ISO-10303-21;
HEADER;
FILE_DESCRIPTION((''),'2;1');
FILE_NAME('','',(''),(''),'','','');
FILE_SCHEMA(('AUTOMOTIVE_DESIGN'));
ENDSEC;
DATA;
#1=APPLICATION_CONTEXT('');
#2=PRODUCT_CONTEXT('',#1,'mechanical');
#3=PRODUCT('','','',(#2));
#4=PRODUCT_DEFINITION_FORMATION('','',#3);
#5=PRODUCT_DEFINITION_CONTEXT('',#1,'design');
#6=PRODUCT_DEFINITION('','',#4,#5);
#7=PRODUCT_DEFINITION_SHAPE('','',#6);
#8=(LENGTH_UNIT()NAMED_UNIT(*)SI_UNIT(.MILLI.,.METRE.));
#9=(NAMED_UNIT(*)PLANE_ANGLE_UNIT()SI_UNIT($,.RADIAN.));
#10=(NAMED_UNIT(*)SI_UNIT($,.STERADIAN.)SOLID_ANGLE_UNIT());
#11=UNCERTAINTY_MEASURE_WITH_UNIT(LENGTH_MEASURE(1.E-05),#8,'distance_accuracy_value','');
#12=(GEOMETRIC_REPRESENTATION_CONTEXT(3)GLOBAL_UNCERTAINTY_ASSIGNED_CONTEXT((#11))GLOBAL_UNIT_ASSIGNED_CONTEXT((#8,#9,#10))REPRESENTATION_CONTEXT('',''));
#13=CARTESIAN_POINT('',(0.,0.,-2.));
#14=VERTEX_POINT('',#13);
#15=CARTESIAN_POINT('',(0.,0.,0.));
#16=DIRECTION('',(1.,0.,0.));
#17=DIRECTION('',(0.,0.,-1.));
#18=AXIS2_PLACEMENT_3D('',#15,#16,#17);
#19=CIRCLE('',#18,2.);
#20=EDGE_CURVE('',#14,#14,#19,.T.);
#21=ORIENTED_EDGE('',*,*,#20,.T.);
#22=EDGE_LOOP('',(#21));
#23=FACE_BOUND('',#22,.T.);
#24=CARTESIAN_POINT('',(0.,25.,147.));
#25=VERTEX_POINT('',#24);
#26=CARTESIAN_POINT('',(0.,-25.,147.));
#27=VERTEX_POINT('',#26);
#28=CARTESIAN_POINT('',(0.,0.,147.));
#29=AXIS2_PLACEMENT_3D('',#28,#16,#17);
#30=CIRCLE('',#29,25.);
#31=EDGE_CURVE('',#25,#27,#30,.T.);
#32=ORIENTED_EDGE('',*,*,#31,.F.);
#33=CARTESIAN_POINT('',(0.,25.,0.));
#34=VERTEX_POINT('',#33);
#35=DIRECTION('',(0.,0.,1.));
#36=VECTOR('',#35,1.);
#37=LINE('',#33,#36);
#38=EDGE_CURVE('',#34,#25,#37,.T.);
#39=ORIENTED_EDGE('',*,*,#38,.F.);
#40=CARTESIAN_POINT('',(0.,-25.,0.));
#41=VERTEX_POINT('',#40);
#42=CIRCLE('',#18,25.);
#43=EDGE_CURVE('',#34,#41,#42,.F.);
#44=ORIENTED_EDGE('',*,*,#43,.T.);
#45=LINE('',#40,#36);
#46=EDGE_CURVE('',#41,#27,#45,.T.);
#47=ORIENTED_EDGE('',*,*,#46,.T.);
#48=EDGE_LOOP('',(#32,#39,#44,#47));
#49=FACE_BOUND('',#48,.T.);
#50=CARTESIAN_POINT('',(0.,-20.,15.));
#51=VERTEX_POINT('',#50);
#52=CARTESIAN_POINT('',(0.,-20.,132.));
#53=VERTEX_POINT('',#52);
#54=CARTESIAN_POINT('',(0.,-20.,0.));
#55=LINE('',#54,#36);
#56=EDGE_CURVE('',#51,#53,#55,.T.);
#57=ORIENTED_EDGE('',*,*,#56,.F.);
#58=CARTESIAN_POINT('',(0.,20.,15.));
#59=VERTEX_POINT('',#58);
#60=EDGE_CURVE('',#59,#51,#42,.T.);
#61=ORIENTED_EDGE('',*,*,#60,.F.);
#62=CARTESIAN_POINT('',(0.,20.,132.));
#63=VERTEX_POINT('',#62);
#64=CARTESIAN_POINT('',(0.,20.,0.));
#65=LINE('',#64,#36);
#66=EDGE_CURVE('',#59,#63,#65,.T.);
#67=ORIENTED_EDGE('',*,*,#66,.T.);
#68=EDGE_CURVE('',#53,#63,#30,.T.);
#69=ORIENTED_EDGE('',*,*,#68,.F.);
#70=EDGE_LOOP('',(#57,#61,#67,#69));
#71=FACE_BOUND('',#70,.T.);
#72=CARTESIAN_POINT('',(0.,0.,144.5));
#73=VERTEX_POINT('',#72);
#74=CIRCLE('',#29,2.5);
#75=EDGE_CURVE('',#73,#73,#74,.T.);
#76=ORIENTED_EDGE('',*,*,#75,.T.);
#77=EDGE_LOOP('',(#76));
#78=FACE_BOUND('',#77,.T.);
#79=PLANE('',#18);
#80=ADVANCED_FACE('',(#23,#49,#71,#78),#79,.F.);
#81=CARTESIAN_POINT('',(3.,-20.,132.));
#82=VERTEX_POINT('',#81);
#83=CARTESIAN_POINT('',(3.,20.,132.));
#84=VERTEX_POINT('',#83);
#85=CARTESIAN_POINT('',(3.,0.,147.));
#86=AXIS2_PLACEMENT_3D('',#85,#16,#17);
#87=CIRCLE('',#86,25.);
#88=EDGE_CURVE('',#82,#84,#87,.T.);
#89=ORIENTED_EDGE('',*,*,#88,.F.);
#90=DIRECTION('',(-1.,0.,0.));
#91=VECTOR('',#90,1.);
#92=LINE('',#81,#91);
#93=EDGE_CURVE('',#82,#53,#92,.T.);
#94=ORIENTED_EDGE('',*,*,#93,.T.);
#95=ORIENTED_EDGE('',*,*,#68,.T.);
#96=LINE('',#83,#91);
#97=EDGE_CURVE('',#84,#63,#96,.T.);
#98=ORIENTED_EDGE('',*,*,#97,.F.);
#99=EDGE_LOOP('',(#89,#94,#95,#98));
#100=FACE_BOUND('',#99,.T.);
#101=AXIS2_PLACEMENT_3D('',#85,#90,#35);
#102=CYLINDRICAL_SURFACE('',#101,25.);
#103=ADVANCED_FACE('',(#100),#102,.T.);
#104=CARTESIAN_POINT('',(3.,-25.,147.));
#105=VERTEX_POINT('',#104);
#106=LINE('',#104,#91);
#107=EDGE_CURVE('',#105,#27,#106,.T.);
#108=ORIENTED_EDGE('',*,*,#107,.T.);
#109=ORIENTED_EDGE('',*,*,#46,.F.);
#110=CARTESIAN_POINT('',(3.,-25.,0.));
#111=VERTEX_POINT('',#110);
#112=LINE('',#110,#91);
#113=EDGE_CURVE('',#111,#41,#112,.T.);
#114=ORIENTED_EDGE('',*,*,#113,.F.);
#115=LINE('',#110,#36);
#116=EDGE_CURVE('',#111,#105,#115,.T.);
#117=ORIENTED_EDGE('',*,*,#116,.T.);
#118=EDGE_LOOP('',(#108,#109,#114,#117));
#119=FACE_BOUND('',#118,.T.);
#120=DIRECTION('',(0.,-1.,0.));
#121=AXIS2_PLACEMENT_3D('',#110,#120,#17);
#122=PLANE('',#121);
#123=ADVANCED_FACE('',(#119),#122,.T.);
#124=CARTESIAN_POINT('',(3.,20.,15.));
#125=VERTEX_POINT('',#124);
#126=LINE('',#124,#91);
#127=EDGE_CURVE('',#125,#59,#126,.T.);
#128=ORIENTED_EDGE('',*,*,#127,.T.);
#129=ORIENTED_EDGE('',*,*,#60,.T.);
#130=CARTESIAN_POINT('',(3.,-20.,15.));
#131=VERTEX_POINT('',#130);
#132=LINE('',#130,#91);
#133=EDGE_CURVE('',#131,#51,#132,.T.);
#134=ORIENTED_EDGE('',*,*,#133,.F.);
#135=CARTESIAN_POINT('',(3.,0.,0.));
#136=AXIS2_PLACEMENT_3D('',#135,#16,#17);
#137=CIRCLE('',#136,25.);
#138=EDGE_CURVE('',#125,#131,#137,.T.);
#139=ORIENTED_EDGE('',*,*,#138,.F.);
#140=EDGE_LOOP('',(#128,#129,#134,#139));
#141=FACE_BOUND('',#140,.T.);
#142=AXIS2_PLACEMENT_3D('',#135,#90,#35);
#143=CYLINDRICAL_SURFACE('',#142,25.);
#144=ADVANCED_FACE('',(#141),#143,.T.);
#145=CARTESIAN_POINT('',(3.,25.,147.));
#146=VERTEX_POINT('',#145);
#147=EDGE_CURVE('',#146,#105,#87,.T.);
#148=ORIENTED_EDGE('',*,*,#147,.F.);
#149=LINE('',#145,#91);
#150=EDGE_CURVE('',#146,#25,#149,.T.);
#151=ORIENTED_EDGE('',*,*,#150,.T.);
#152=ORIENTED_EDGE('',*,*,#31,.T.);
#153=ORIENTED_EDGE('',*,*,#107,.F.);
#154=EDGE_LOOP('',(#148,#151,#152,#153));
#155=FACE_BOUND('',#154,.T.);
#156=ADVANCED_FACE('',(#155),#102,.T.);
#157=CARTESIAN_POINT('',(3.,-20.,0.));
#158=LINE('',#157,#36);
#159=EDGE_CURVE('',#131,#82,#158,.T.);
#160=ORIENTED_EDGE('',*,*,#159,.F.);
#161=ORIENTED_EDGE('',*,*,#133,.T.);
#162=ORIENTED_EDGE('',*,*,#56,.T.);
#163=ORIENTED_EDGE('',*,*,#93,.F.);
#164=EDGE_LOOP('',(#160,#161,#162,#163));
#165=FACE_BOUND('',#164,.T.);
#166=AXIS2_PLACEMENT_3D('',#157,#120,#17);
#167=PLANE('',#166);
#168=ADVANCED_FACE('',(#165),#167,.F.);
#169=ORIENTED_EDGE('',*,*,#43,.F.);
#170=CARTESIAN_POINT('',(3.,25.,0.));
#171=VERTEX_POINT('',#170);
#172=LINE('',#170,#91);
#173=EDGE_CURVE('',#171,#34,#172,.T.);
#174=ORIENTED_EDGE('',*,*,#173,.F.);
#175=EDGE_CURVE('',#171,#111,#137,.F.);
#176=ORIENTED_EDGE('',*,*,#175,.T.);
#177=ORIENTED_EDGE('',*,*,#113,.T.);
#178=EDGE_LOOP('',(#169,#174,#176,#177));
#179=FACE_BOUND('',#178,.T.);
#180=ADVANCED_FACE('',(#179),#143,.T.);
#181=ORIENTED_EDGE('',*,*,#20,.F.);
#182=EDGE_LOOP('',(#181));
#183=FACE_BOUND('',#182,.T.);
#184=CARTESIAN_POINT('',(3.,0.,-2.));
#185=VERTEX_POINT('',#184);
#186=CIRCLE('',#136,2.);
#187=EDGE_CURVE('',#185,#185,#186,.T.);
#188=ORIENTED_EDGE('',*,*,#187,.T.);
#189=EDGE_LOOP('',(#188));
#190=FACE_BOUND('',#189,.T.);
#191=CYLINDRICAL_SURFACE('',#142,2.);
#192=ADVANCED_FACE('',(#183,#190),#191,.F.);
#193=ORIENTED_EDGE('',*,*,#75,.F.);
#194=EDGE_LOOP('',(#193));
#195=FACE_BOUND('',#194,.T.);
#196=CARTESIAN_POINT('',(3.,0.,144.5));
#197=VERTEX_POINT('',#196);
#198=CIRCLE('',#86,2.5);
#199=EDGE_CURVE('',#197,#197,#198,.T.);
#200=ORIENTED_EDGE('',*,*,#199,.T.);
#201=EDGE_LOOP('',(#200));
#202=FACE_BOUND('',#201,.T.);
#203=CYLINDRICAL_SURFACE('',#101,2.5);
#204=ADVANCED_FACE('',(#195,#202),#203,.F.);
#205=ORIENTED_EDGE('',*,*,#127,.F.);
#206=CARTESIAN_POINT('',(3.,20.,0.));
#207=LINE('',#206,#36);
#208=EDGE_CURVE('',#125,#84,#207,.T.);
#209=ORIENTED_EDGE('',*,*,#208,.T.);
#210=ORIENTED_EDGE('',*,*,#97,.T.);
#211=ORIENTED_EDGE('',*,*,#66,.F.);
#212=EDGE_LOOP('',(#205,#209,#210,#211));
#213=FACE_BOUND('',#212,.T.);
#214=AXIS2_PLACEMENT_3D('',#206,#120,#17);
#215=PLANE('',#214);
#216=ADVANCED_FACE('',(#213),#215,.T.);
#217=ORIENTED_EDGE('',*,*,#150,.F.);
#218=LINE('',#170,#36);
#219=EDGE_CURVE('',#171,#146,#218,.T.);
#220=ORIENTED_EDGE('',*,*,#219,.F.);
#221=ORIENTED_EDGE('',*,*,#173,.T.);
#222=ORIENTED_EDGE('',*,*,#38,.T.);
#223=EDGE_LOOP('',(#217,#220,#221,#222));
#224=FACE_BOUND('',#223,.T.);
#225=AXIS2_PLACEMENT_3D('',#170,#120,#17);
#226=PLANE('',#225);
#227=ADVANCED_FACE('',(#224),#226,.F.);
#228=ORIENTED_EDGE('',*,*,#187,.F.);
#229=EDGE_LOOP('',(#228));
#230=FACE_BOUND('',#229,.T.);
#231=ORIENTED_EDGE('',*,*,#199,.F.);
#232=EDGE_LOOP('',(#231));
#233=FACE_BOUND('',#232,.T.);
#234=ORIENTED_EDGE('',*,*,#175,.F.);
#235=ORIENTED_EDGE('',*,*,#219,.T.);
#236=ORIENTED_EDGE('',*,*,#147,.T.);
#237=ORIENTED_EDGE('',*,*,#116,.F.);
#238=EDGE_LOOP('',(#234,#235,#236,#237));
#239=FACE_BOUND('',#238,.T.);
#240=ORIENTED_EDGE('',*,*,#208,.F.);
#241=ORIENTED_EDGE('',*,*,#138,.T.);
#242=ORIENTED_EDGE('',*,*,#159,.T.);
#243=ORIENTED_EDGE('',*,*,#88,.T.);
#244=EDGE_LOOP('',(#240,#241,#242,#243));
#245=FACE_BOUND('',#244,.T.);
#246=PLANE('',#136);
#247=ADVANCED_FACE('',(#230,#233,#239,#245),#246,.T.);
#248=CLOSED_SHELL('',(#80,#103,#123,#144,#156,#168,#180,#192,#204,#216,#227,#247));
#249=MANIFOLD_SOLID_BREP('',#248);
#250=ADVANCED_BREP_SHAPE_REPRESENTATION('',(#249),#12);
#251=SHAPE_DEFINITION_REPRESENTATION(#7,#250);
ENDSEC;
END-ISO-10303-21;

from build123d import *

# Parameters (mm, degrees)
SKETCH1_R           = 2
SKETCH1_R_2         = 2.5
BOSS_EXTRUDE1_DEPTH = 3


with BuildPart() as part:
    # Sketch1 → Boss-Extrude1 (new body)
    with BuildSketch(Plane(origin=(0, 0, 0), x_dir=(0, 0, -1), z_dir=(1, 0, 0))):
        with BuildLine():
            Line((0, 25), (-147, 25))
            ThreePointArc((-147, 25), (-172, 0), (-147, -25))
            Line((-147, -25), (0, -25))
            ThreePointArc((0, -25), (25, 0), (0, 25))
        make_face()
        with BuildLine():
            Line((-132, 20), (-15, 20))
            ThreePointArc((-15, 20), (-25, 0), (-15, -20))
            Line((-15, -20), (-132, -20))
            ThreePointArc((-132, -20), (-122, 0), (-132, 20))
        make_face(mode=Mode.SUBTRACT)
        Circle(SKETCH1_R, mode=Mode.SUBTRACT)
        with Locations((-147, 0)):
            Circle(SKETCH1_R_2, mode=Mode.SUBTRACT)
    extrude(amount=BOSS_EXTRUDE1_DEPTH)


solid = part.part
